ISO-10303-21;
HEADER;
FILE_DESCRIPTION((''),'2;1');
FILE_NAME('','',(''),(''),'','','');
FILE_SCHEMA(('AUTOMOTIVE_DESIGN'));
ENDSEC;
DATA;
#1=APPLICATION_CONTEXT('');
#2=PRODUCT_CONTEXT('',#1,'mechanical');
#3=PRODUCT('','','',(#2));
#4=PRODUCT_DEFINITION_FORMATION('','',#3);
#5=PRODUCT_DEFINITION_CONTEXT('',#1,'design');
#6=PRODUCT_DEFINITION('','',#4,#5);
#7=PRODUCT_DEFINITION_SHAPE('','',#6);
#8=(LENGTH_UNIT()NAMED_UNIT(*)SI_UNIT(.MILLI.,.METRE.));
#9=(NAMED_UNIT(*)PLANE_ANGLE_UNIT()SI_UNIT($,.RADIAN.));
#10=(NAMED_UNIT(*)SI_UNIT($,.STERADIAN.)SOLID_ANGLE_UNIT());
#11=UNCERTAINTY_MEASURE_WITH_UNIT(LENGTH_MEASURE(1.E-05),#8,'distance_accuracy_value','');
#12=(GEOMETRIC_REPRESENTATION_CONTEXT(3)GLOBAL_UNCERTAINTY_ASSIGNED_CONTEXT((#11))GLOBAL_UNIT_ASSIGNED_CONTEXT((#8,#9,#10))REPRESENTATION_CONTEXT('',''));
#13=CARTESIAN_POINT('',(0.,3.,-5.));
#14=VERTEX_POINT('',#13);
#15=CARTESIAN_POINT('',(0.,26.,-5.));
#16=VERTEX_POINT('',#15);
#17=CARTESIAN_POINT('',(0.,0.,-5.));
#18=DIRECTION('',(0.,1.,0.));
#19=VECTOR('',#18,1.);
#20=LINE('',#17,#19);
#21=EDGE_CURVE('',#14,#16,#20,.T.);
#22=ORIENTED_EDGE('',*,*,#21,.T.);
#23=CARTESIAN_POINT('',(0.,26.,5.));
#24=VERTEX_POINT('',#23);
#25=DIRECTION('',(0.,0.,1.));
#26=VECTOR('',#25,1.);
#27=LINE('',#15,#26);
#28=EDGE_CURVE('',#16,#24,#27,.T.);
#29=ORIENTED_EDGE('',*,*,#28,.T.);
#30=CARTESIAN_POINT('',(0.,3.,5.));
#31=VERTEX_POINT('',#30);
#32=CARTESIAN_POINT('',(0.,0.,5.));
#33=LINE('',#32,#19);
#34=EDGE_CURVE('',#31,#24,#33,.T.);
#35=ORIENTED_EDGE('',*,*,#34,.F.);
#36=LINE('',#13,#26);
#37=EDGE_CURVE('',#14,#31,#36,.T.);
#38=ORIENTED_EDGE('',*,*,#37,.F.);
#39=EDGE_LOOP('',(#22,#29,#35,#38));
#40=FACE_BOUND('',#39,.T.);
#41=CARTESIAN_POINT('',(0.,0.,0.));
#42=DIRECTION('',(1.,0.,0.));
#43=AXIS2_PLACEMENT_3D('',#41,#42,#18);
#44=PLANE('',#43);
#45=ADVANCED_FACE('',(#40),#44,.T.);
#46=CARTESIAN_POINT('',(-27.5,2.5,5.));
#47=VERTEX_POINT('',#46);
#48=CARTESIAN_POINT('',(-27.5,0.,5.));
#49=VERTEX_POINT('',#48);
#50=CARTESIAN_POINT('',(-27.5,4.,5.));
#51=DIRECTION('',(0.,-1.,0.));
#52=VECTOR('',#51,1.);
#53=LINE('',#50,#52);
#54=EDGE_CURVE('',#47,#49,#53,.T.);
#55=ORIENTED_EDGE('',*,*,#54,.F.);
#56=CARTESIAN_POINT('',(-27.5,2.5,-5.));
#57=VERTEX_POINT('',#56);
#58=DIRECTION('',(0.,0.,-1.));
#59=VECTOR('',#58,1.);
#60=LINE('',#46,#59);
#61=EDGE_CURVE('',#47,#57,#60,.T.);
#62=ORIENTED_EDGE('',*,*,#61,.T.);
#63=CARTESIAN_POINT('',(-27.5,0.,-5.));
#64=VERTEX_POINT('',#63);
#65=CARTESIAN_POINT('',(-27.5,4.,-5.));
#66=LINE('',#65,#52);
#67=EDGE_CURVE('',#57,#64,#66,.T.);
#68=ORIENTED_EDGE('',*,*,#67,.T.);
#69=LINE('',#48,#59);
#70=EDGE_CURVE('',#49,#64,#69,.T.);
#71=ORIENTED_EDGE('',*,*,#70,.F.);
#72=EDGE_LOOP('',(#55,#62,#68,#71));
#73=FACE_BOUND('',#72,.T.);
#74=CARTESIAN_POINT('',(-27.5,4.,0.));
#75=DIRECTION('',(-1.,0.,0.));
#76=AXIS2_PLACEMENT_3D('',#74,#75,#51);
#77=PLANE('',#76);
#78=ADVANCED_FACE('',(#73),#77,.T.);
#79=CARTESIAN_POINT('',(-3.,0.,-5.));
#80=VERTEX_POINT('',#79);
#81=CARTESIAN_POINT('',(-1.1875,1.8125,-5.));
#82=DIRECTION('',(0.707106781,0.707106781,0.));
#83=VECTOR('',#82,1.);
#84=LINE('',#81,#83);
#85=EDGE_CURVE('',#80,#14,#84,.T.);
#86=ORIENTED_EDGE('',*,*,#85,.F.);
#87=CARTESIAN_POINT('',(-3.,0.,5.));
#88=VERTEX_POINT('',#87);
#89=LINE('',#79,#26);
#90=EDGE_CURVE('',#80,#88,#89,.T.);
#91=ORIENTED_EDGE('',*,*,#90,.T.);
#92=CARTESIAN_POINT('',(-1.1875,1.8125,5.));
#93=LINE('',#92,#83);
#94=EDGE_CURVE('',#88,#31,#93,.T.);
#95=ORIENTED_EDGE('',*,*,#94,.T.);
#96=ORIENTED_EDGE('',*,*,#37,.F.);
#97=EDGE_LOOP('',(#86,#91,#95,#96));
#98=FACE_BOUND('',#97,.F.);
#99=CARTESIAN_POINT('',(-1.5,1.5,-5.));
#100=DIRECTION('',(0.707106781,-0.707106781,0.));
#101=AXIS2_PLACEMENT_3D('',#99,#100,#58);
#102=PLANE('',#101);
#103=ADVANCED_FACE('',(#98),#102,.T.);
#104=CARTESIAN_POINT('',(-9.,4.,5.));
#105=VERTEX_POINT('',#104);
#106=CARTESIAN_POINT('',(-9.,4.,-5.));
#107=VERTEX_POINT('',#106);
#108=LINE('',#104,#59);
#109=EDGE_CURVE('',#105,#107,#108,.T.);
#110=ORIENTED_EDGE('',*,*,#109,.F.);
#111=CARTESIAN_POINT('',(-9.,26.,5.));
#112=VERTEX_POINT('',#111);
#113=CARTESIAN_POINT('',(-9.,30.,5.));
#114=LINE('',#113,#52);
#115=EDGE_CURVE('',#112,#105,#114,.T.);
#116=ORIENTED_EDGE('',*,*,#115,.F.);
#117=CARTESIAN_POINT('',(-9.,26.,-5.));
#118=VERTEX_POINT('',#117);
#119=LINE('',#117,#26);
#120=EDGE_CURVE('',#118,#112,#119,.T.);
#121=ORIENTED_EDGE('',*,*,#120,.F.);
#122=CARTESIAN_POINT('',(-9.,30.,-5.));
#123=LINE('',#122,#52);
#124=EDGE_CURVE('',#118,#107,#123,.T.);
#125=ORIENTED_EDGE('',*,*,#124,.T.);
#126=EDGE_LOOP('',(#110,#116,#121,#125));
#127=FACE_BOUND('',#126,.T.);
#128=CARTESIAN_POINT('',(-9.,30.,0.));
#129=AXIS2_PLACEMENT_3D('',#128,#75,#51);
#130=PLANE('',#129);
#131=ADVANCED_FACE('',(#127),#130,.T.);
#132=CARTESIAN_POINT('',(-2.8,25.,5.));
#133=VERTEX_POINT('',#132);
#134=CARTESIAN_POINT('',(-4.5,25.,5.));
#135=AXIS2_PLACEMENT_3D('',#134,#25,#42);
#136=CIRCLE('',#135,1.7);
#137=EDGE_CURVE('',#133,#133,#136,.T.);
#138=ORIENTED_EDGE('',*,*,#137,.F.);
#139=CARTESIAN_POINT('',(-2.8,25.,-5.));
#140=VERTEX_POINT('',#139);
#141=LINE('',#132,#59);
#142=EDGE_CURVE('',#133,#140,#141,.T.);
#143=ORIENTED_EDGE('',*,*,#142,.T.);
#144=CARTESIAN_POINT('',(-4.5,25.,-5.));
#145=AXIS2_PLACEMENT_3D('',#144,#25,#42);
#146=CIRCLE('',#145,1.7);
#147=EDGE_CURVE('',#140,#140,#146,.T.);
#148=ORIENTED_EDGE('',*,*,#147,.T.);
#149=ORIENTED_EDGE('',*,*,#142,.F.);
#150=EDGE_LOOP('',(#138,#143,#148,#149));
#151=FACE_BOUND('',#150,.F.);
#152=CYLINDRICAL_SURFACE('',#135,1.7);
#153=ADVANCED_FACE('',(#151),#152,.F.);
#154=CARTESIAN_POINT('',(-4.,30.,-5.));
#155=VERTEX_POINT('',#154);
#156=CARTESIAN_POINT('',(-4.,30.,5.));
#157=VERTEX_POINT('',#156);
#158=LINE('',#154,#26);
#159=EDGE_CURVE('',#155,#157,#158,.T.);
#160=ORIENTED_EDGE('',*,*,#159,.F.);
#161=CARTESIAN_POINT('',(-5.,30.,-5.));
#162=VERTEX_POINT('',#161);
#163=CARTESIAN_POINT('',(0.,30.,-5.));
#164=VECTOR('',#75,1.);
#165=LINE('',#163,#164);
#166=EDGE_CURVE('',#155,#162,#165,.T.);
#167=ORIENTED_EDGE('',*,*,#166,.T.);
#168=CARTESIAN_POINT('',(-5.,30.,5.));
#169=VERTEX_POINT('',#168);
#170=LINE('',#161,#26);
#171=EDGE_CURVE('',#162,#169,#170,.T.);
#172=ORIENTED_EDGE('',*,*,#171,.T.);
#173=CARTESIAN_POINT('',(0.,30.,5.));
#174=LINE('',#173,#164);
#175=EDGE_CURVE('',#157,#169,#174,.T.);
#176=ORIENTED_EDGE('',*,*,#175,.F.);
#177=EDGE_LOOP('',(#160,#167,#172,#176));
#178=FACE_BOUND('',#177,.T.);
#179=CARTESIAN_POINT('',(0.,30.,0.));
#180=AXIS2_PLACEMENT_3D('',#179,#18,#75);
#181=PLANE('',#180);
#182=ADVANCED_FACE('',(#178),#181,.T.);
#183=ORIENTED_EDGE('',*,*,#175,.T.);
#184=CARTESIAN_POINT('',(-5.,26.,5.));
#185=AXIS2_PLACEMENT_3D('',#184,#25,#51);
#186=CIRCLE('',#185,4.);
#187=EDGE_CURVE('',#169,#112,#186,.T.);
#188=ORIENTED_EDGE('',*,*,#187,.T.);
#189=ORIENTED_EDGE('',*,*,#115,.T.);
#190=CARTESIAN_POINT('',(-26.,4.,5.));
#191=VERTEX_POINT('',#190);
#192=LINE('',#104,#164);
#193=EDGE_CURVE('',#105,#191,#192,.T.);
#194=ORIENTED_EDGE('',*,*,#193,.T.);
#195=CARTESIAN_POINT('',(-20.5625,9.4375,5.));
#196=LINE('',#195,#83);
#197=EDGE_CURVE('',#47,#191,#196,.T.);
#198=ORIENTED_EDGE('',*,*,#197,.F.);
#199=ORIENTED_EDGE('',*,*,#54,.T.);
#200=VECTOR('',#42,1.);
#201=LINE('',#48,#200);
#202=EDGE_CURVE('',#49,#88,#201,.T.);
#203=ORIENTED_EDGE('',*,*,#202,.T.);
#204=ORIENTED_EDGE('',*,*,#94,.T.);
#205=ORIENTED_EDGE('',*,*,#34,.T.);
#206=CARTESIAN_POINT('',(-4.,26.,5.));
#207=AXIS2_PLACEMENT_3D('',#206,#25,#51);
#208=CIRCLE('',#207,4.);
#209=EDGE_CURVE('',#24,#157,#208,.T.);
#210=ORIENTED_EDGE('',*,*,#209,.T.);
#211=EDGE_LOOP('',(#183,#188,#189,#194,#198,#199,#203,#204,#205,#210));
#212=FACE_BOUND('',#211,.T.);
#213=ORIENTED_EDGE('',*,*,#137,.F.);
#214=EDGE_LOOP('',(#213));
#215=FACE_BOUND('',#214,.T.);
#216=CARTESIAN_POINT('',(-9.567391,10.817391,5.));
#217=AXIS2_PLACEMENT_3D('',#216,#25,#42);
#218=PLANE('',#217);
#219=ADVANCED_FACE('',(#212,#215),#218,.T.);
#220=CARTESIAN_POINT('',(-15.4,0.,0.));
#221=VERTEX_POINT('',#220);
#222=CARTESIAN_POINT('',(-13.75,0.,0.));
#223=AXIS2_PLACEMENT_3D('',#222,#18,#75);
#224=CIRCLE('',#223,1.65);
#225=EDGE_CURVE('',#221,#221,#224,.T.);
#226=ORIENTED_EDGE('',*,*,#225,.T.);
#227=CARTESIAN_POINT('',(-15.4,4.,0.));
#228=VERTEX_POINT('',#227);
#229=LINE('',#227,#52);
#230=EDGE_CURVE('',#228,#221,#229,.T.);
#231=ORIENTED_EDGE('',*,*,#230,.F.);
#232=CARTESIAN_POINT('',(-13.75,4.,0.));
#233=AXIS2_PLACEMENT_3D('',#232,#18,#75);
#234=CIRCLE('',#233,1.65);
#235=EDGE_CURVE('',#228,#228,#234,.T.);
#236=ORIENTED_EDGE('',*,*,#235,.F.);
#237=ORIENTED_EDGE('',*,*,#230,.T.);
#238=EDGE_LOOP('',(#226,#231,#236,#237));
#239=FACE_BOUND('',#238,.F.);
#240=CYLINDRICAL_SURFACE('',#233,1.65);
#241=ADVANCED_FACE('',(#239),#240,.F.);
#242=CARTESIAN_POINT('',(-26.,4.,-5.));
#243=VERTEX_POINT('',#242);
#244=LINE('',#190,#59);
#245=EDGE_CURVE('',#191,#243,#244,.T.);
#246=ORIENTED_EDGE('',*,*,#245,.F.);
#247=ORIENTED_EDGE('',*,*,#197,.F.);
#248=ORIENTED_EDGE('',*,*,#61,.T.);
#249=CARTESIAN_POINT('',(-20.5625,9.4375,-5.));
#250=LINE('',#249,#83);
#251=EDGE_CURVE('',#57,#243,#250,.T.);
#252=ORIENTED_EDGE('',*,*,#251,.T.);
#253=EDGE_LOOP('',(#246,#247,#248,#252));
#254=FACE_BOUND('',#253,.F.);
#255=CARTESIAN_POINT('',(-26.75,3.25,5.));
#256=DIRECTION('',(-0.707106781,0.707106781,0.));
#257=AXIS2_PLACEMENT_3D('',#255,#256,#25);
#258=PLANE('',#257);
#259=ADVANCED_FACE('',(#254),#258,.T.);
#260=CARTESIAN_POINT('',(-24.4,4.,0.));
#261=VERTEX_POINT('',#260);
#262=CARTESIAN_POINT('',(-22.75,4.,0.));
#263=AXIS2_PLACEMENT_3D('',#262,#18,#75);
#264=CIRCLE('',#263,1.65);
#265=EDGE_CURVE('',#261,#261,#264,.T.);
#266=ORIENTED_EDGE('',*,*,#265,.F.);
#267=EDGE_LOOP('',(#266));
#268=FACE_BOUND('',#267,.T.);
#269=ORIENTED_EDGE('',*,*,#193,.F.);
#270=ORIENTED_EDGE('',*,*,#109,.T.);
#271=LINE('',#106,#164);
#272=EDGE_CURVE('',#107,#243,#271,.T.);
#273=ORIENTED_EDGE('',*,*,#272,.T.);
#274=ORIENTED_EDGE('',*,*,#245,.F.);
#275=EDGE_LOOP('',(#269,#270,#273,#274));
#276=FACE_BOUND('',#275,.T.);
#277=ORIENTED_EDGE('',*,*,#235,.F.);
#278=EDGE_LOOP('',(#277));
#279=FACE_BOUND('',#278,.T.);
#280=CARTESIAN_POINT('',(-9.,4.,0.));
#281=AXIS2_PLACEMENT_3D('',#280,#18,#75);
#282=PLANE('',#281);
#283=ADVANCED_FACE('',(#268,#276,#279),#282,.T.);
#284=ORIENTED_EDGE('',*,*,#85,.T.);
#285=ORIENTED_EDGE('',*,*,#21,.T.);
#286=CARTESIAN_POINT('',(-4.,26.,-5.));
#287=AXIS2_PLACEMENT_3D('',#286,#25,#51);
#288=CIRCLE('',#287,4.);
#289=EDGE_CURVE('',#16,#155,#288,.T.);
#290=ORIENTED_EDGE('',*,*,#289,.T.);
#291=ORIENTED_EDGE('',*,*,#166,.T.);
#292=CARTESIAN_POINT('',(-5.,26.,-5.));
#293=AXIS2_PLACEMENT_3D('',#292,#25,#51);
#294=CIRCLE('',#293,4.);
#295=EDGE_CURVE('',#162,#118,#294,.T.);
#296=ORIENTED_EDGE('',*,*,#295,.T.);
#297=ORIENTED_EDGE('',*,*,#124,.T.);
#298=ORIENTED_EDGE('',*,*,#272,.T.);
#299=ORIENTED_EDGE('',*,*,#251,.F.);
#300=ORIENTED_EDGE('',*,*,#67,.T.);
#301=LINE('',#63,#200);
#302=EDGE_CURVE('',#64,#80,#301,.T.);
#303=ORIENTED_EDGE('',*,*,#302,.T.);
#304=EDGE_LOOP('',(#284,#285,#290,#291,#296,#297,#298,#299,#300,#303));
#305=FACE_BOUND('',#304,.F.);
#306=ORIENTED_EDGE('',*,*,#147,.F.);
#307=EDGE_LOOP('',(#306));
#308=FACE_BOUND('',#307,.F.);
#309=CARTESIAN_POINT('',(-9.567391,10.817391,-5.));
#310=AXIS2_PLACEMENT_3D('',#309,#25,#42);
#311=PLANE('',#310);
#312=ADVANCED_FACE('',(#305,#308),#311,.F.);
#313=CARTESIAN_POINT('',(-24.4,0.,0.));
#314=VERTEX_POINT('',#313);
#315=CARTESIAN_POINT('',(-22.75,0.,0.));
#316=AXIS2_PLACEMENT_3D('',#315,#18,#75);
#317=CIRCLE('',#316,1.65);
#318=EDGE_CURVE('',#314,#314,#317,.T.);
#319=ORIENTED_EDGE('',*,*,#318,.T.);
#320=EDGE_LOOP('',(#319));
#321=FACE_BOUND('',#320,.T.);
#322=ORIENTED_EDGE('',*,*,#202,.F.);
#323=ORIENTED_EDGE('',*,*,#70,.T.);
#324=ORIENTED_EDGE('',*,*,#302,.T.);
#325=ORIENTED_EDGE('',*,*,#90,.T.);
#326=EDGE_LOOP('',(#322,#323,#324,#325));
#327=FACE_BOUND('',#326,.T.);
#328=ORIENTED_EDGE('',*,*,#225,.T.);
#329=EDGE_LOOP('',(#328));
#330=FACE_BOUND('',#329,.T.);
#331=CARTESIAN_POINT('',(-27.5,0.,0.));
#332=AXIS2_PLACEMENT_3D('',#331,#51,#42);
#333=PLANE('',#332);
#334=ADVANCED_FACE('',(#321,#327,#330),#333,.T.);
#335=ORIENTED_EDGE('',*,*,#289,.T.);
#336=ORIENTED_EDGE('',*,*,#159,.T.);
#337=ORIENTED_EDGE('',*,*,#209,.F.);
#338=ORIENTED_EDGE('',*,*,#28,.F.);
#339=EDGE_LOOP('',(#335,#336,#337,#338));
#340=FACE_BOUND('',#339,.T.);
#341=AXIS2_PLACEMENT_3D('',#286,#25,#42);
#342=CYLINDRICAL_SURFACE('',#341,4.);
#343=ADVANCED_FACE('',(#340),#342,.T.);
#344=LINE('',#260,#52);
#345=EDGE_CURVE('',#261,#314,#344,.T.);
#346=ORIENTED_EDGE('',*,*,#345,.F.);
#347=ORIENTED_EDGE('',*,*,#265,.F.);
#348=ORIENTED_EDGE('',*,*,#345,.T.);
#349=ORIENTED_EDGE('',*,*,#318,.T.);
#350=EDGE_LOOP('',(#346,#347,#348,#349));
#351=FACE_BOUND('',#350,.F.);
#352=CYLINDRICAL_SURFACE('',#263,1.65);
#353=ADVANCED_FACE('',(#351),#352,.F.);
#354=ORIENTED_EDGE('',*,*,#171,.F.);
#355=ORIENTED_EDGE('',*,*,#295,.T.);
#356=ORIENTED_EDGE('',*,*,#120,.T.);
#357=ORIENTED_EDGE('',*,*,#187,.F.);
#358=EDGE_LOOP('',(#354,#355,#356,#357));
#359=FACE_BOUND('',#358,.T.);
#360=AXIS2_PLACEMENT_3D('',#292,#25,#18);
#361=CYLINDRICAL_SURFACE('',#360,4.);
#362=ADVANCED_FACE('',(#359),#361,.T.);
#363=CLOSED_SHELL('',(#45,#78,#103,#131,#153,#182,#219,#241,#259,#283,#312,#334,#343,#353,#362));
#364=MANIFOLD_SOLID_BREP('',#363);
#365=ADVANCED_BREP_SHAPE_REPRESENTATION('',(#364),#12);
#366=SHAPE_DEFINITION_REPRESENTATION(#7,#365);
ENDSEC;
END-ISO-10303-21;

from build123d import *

# Parameters (mm, degrees)
PAD_DEPTH       = 5
CHAMFER_SIZE    = 3
SKETCH001_R     = 1.65
POCKET_DEPTH    = 5
FILLET_R        = 4
SKETCH002_R     = 1.7
POCKET001_DEPTH = 10.001
CHAMFER001_SIZE = 1.5


with BuildPart() as part:
    # Sketch → Pad (new body, symmetric)
    with BuildSketch(Plane.XY):
        Polygon((-27.5, 0), (0, 0), (0, 30), (-9, 30), (-9, 4), (-27.5, 4), align=None)
    extrude(amount=PAD_DEPTH, both=True)

    # Chamfer
    chamfer_edges = [part.edges().sort_by_distance(p)[0] for p in [
        (0, 0, 0),
    ]]
    chamfer(chamfer_edges, length=CHAMFER_SIZE)

    # Sketch001 (on Face7 of Chamfer) → Pocket (cut)
    with BuildSketch(Plane(origin=(0, 4, 0), x_dir=(-1, 0, 0), z_dir=(0, 1, 0))):
        with Locations((22.75, 0)):
            Circle(SKETCH001_R)
        with Locations((13.75, 0)):
            Circle(SKETCH001_R)
    extrude(amount=-POCKET_DEPTH, mode=Mode.SUBTRACT)

    # Fillet
    fillet_edges = [part.edges().sort_by_distance(p)[0] for p in [
        (-9, 30, 0),
        (0, 30, 0),
    ]]
    fillet(fillet_edges, radius=FILLET_R)

    # Sketch002 (on Face11 of Fillet) → Pocket001 (cut, through all)
    with BuildSketch(Plane.XY.offset(5)):
        with Locations((-4.5, 25)):
            Circle(SKETCH002_R)
    extrude(amount=-POCKET001_DEPTH, mode=Mode.SUBTRACT)

    # Chamfer001
    chamfer001_edges = [part.edges().sort_by_distance(p)[0] for p in [
        (-27.5, 4, 0),
    ]]
    chamfer(chamfer001_edges, length=CHAMFER001_SIZE)


solid = part.part
